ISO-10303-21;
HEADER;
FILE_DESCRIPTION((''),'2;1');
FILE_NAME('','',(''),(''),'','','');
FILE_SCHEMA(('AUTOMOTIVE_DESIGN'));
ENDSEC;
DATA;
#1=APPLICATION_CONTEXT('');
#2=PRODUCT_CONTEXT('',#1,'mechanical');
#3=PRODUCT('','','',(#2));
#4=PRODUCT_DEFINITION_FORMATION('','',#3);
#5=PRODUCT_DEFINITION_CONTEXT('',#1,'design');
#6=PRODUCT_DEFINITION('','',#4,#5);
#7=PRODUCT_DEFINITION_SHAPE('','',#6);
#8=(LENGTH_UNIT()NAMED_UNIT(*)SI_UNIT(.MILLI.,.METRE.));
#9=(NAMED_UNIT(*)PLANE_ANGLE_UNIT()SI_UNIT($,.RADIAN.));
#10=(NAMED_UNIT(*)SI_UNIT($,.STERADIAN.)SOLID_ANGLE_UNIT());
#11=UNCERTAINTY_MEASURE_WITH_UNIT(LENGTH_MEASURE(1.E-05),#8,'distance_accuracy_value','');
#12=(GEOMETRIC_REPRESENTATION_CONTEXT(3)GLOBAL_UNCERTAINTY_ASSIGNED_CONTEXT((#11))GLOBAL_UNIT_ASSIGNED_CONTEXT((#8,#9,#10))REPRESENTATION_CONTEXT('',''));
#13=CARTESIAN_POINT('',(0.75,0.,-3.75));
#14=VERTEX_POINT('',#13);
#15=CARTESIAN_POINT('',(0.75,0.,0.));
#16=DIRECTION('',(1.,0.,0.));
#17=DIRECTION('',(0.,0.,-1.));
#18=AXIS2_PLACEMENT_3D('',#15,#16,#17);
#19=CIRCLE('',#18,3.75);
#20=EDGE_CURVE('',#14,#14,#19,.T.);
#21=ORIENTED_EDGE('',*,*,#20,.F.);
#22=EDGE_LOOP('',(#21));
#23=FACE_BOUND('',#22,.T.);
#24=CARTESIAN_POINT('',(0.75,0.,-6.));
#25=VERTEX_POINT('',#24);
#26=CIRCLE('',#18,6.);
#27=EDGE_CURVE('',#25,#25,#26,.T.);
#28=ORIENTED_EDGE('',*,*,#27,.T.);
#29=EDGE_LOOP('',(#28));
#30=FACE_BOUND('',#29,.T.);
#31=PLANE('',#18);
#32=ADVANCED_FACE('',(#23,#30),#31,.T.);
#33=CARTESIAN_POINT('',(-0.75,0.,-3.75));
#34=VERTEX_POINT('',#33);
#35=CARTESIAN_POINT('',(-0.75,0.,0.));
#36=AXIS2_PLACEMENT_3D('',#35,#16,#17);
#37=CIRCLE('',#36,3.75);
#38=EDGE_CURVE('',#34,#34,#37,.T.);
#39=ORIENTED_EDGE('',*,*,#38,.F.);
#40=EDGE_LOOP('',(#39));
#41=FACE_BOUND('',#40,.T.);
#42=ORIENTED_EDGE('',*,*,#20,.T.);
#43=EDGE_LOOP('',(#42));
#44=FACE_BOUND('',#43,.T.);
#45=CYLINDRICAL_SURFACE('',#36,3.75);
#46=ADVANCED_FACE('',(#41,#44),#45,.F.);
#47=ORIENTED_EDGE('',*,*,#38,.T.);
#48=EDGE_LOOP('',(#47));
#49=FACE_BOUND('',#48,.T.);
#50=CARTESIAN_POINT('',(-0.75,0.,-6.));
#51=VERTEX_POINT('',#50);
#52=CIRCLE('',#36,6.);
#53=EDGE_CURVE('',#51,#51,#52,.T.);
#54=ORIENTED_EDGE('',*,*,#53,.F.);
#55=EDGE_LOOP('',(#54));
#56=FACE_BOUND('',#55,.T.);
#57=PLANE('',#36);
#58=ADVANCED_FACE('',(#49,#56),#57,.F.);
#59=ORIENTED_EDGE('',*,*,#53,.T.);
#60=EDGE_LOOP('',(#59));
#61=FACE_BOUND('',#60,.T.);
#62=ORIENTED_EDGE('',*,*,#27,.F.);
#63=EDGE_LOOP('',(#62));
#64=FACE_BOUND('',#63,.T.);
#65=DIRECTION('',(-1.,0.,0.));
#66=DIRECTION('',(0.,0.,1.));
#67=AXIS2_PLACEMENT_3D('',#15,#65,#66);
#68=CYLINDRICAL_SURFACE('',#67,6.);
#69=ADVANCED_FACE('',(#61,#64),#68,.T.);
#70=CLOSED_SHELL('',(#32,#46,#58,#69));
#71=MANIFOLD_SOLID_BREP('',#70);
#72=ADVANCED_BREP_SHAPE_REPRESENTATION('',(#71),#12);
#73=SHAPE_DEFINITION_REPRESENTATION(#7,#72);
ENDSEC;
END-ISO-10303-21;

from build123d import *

# Parameters (mm, degrees)
SKETCH2_R               = 6
BOSS_EXTRUDE1_DEPTH     = 0.75
CUT_EXTRUDE1_DEPTH      = 9.61684397
CUT_EXTRUDE1_DEPTH_BACK = 9.61684397
SKETCH3_R               = 3.75


with BuildPart() as part:
    # Sketch2 → Boss-Extrude1 (new, symmetric)
    with BuildSketch(Plane(origin=(0, 0, 0), x_dir=(0, 0, -1), z_dir=(1, 0, 0))):
        Circle(SKETCH2_R)
    extrude(amount=BOSS_EXTRUDE1_DEPTH, both=True)

    # Sketch3 → Cut-Extrude1 (cut, two sides: drawn at the far end of the back side and taken through both)
    with BuildSketch(Plane(origin=(0.75, 0, 0), x_dir=(0, 0, -1), z_dir=(1, 0, 0)).offset(-CUT_EXTRUDE1_DEPTH_BACK)):
        Circle(SKETCH3_R)
    extrude(amount=CUT_EXTRUDE1_DEPTH + CUT_EXTRUDE1_DEPTH_BACK, mode=Mode.SUBTRACT)


solid = part.part
